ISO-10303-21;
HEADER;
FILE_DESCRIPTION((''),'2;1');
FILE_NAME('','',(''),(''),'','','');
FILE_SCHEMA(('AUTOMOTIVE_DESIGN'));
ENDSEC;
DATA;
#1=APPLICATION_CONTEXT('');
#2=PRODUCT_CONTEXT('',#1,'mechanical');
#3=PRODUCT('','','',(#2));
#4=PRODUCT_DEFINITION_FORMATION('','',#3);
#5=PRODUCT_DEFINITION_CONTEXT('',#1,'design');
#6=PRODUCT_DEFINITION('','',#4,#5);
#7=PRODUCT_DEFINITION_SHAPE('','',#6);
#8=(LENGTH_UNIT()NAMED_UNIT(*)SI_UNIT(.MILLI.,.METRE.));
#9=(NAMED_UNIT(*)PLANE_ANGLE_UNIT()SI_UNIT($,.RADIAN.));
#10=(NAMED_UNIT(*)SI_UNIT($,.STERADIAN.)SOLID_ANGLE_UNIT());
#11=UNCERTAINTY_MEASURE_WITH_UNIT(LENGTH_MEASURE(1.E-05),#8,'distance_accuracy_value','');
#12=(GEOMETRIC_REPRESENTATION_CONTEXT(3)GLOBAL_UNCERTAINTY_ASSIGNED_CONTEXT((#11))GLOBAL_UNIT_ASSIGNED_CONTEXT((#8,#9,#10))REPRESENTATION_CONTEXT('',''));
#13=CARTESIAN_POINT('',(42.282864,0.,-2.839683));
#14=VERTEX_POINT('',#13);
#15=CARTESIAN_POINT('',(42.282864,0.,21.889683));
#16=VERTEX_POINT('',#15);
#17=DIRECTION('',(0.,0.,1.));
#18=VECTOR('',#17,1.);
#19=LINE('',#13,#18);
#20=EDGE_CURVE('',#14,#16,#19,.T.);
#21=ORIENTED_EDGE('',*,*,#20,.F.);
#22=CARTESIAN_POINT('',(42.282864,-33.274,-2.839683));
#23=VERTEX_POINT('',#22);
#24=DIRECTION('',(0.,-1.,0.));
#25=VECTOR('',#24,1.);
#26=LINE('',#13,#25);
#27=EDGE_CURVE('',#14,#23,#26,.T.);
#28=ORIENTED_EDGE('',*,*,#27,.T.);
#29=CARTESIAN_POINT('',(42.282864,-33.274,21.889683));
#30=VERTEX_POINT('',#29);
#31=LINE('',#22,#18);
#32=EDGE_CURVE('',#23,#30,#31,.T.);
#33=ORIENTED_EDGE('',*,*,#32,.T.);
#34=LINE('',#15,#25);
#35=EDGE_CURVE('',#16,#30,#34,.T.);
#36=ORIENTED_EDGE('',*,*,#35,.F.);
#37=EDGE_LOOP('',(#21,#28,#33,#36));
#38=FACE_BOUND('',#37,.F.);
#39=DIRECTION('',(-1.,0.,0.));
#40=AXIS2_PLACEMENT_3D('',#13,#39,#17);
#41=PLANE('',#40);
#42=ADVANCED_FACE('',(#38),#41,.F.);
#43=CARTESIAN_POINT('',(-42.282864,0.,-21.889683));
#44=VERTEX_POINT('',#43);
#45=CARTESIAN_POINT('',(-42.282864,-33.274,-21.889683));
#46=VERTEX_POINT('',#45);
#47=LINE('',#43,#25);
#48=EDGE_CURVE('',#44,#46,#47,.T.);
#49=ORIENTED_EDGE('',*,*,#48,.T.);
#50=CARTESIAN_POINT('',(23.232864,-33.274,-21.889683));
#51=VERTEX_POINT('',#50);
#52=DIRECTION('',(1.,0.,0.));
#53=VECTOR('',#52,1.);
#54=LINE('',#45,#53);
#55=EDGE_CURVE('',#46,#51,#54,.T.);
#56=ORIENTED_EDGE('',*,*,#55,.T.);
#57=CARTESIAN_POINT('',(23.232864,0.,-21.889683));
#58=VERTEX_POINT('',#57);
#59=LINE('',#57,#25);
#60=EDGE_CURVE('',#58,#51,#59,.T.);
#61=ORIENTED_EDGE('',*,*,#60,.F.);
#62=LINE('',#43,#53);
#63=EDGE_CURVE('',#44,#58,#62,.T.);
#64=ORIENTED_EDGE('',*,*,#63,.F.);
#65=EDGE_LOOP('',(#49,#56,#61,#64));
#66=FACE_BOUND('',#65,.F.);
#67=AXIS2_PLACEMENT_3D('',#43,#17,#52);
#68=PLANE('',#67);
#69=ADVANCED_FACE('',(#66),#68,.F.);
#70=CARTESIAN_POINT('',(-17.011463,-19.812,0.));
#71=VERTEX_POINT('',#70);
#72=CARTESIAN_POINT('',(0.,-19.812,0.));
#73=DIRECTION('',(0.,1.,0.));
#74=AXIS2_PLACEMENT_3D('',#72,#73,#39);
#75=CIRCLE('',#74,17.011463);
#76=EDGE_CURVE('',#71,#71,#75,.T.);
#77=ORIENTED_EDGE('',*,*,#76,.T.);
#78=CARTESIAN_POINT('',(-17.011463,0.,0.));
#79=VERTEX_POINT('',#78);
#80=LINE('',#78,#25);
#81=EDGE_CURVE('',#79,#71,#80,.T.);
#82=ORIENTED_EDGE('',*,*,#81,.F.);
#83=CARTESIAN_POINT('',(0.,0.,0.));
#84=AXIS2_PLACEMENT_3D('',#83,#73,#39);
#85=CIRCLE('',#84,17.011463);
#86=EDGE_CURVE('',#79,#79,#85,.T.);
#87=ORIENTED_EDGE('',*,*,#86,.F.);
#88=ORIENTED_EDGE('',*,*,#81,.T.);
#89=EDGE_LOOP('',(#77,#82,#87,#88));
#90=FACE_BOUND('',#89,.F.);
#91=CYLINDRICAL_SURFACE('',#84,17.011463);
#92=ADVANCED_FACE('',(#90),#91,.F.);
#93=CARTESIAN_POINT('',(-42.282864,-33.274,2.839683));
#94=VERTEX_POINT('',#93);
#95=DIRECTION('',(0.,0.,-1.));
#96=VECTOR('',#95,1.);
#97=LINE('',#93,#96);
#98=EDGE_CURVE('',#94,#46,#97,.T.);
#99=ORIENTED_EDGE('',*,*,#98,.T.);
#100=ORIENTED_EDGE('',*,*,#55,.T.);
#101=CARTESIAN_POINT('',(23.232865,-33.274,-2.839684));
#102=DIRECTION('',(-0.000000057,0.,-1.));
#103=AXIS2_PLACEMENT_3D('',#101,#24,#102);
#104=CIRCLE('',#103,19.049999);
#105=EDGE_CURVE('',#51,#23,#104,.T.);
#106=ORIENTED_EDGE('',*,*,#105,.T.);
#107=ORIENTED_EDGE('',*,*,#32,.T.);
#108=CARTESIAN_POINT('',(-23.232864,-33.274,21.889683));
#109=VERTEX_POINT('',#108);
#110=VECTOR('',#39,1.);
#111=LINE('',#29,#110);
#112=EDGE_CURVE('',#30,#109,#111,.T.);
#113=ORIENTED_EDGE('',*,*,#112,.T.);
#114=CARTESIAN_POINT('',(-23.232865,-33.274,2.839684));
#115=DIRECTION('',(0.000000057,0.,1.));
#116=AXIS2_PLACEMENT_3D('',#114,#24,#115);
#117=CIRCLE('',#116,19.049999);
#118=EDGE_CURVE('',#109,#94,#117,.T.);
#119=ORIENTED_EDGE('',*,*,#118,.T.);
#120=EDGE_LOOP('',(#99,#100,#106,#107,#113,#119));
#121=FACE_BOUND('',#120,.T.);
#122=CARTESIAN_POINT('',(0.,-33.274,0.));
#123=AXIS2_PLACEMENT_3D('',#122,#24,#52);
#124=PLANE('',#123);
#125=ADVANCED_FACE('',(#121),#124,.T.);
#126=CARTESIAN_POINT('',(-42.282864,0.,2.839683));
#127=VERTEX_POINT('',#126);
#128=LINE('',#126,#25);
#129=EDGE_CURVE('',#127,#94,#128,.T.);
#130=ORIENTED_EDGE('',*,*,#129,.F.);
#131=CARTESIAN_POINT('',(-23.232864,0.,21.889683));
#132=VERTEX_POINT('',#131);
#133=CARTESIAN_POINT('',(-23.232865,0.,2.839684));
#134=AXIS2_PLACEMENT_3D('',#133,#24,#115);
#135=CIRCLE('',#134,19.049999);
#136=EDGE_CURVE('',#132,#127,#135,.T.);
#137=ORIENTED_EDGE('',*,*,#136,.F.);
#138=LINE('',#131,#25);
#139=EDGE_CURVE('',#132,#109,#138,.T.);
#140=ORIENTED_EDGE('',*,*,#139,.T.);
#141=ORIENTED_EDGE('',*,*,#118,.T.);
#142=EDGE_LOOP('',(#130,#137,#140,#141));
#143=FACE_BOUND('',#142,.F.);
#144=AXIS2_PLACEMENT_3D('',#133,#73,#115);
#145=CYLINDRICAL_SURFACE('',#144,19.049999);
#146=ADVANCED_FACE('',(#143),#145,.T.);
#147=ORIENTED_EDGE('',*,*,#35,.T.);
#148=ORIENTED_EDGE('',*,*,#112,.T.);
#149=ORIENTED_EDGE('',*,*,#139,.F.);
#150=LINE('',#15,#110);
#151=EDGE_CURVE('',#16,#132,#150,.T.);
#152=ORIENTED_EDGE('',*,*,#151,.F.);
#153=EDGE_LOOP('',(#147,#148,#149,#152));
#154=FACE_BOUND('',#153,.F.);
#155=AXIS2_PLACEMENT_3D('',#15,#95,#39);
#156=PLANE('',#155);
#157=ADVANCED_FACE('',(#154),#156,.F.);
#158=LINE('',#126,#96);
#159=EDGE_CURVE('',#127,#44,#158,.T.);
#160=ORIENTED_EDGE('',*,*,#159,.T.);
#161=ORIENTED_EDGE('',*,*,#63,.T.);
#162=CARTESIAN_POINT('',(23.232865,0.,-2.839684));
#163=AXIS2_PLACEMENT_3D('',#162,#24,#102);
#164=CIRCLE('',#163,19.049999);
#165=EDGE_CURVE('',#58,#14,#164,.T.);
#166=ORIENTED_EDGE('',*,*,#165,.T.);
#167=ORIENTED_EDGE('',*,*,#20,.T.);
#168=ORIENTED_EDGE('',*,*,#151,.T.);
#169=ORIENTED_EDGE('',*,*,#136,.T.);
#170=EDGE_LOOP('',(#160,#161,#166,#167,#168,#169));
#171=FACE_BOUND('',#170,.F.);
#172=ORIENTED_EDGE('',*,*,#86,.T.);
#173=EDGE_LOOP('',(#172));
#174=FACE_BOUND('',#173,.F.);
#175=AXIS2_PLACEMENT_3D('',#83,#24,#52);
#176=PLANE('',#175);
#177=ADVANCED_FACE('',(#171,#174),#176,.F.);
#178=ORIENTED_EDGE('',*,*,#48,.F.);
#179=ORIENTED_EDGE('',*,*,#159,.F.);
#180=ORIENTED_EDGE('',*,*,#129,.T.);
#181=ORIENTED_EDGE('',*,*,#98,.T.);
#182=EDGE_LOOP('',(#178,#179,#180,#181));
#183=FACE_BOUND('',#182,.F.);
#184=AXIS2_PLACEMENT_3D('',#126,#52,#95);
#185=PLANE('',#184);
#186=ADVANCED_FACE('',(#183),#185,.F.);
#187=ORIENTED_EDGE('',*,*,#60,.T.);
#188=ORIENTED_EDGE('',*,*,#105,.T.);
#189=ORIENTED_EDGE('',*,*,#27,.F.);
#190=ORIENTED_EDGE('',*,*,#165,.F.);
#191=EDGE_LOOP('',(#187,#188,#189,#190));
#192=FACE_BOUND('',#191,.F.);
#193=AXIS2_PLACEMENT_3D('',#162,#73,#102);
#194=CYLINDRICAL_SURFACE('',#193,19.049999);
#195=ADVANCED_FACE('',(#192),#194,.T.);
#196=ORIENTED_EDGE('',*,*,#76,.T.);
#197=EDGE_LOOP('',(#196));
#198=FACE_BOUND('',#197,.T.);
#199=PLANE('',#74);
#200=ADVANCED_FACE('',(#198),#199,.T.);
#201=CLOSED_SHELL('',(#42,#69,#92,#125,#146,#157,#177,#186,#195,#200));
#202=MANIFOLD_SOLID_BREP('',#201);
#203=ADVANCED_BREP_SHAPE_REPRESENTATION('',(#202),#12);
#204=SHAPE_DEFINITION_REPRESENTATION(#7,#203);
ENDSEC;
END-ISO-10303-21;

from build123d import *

# Parameters (mm, degrees)
F1_DEPTH = 33.274
F2_R     = 17.011463
F3_DEPTH = 19.812


with BuildPart() as f1:
    # F0 (on Front) → F1 (new body)
    with BuildSketch(Plane.XZ):
        with BuildLine():
            Line((-42.282864, 2.839683), (-42.282864, -21.889683))
            Line((-42.282864, -21.889683), (23.232864, -21.889683))
            ThreePointArc((23.232864, -21.889683), (36.703249, -16.310067), (42.282864, -2.839683))
            Line((42.282864, -2.839683), (42.282864, 21.889683))
            Line((42.282864, 21.889683), (-23.232864, 21.889683))
            ThreePointArc((-23.232864, 21.889683), (-36.703249, 16.310067), (-42.282864, 2.839683))
        make_face()
    extrude(amount=F1_DEPTH)

    # F2 (on face) → F3 (cut)
    with BuildSketch(Plane(origin=(0, 0, 0), x_dir=(-1, 0, 0), z_dir=(0, 1, 0))):
        Circle(F2_R)
    extrude(amount=-F3_DEPTH, mode=Mode.SUBTRACT)


solid = f1.part
